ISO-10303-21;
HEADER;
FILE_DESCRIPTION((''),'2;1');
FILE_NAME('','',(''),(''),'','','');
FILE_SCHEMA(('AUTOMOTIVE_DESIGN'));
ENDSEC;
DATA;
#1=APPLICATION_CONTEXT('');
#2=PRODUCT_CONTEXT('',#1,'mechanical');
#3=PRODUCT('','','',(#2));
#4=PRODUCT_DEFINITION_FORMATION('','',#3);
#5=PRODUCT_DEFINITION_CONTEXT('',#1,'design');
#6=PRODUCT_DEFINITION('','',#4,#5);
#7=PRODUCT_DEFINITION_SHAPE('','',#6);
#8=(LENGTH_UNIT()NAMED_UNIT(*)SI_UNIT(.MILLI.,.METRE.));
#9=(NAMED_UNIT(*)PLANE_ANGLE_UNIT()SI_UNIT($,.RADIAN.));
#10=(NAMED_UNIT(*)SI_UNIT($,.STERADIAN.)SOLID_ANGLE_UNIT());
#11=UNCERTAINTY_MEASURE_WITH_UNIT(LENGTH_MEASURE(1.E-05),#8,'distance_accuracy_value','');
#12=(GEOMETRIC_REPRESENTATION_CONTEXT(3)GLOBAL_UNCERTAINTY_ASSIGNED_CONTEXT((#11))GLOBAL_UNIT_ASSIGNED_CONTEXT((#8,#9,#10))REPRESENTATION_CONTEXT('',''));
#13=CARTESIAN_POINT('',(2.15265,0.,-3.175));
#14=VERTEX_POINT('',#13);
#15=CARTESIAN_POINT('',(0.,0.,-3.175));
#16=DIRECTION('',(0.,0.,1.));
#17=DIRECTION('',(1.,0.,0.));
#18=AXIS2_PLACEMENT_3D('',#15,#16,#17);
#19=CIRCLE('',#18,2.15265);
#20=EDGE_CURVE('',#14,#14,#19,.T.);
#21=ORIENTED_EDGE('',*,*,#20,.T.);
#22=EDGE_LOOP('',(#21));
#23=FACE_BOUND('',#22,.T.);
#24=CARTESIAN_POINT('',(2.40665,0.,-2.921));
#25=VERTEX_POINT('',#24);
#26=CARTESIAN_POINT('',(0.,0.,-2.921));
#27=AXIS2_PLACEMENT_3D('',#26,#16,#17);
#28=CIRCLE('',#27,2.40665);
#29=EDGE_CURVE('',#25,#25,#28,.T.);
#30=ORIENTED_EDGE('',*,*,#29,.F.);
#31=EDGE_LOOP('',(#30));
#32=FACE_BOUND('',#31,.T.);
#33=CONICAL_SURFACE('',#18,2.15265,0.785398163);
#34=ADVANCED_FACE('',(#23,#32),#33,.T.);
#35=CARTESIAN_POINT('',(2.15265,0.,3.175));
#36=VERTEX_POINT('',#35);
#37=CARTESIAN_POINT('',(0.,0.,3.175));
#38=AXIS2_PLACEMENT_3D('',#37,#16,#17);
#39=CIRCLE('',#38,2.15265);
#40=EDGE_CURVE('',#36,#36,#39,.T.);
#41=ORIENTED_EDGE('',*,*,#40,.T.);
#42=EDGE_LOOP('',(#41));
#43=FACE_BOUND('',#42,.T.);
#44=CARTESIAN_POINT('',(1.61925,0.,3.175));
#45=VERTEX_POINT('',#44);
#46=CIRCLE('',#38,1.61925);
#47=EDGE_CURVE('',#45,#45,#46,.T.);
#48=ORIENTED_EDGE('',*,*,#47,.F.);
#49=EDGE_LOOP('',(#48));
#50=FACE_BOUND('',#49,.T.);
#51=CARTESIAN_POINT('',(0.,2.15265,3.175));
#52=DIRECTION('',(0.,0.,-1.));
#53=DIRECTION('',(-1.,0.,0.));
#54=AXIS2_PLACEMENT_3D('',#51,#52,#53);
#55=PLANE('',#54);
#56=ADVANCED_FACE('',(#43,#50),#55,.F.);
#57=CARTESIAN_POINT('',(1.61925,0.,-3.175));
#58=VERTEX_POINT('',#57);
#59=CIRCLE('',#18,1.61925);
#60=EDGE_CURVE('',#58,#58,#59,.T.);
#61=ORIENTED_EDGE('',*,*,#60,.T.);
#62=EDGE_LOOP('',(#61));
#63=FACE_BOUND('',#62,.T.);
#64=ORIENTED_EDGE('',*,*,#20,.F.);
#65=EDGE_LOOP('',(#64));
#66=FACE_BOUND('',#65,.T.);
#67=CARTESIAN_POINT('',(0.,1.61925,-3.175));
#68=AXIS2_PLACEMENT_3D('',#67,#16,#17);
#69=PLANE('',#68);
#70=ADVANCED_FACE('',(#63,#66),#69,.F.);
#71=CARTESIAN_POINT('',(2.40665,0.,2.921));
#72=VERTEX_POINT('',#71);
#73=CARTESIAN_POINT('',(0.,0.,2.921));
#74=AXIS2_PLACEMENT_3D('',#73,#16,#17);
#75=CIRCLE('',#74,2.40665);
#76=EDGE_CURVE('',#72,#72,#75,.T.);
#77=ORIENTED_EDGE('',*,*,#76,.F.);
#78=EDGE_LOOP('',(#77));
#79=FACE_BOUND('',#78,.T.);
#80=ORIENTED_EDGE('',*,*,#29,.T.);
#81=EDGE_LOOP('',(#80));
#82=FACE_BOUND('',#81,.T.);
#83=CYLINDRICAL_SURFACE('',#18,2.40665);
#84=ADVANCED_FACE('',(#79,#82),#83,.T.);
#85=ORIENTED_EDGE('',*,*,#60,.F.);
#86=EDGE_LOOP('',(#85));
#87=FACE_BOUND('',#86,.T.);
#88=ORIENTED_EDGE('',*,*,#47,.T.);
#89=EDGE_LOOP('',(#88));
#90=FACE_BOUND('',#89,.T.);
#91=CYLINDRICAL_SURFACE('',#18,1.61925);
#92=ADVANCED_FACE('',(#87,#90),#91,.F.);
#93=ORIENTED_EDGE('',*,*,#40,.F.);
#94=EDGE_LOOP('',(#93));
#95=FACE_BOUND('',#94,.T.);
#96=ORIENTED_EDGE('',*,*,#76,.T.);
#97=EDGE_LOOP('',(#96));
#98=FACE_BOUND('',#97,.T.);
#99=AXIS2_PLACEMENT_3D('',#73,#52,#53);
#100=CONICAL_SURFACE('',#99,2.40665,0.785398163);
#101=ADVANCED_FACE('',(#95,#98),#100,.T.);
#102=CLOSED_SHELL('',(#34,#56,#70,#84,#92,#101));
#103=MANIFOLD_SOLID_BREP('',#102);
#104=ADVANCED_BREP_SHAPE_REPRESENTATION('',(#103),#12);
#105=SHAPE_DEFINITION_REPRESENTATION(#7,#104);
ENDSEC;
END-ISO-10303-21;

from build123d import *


with BuildPart() as part:
    # Sketch1 → Revolve1 (revolve)
    with BuildSketch(Plane(origin=(0, 0, 0), x_dir=(0, 0, -1), z_dir=(1, 0, 0))):
        Polygon((-3.175, 2.15265), (-3.175, 1.61925), (3.175, 1.61925), (3.175, 2.15265), (2.921, 2.40665), (-2.921, 2.40665), align=None)
    revolve(axis=Axis((0, 0, -3.175), (0, 0, 1)))


solid = part.part
